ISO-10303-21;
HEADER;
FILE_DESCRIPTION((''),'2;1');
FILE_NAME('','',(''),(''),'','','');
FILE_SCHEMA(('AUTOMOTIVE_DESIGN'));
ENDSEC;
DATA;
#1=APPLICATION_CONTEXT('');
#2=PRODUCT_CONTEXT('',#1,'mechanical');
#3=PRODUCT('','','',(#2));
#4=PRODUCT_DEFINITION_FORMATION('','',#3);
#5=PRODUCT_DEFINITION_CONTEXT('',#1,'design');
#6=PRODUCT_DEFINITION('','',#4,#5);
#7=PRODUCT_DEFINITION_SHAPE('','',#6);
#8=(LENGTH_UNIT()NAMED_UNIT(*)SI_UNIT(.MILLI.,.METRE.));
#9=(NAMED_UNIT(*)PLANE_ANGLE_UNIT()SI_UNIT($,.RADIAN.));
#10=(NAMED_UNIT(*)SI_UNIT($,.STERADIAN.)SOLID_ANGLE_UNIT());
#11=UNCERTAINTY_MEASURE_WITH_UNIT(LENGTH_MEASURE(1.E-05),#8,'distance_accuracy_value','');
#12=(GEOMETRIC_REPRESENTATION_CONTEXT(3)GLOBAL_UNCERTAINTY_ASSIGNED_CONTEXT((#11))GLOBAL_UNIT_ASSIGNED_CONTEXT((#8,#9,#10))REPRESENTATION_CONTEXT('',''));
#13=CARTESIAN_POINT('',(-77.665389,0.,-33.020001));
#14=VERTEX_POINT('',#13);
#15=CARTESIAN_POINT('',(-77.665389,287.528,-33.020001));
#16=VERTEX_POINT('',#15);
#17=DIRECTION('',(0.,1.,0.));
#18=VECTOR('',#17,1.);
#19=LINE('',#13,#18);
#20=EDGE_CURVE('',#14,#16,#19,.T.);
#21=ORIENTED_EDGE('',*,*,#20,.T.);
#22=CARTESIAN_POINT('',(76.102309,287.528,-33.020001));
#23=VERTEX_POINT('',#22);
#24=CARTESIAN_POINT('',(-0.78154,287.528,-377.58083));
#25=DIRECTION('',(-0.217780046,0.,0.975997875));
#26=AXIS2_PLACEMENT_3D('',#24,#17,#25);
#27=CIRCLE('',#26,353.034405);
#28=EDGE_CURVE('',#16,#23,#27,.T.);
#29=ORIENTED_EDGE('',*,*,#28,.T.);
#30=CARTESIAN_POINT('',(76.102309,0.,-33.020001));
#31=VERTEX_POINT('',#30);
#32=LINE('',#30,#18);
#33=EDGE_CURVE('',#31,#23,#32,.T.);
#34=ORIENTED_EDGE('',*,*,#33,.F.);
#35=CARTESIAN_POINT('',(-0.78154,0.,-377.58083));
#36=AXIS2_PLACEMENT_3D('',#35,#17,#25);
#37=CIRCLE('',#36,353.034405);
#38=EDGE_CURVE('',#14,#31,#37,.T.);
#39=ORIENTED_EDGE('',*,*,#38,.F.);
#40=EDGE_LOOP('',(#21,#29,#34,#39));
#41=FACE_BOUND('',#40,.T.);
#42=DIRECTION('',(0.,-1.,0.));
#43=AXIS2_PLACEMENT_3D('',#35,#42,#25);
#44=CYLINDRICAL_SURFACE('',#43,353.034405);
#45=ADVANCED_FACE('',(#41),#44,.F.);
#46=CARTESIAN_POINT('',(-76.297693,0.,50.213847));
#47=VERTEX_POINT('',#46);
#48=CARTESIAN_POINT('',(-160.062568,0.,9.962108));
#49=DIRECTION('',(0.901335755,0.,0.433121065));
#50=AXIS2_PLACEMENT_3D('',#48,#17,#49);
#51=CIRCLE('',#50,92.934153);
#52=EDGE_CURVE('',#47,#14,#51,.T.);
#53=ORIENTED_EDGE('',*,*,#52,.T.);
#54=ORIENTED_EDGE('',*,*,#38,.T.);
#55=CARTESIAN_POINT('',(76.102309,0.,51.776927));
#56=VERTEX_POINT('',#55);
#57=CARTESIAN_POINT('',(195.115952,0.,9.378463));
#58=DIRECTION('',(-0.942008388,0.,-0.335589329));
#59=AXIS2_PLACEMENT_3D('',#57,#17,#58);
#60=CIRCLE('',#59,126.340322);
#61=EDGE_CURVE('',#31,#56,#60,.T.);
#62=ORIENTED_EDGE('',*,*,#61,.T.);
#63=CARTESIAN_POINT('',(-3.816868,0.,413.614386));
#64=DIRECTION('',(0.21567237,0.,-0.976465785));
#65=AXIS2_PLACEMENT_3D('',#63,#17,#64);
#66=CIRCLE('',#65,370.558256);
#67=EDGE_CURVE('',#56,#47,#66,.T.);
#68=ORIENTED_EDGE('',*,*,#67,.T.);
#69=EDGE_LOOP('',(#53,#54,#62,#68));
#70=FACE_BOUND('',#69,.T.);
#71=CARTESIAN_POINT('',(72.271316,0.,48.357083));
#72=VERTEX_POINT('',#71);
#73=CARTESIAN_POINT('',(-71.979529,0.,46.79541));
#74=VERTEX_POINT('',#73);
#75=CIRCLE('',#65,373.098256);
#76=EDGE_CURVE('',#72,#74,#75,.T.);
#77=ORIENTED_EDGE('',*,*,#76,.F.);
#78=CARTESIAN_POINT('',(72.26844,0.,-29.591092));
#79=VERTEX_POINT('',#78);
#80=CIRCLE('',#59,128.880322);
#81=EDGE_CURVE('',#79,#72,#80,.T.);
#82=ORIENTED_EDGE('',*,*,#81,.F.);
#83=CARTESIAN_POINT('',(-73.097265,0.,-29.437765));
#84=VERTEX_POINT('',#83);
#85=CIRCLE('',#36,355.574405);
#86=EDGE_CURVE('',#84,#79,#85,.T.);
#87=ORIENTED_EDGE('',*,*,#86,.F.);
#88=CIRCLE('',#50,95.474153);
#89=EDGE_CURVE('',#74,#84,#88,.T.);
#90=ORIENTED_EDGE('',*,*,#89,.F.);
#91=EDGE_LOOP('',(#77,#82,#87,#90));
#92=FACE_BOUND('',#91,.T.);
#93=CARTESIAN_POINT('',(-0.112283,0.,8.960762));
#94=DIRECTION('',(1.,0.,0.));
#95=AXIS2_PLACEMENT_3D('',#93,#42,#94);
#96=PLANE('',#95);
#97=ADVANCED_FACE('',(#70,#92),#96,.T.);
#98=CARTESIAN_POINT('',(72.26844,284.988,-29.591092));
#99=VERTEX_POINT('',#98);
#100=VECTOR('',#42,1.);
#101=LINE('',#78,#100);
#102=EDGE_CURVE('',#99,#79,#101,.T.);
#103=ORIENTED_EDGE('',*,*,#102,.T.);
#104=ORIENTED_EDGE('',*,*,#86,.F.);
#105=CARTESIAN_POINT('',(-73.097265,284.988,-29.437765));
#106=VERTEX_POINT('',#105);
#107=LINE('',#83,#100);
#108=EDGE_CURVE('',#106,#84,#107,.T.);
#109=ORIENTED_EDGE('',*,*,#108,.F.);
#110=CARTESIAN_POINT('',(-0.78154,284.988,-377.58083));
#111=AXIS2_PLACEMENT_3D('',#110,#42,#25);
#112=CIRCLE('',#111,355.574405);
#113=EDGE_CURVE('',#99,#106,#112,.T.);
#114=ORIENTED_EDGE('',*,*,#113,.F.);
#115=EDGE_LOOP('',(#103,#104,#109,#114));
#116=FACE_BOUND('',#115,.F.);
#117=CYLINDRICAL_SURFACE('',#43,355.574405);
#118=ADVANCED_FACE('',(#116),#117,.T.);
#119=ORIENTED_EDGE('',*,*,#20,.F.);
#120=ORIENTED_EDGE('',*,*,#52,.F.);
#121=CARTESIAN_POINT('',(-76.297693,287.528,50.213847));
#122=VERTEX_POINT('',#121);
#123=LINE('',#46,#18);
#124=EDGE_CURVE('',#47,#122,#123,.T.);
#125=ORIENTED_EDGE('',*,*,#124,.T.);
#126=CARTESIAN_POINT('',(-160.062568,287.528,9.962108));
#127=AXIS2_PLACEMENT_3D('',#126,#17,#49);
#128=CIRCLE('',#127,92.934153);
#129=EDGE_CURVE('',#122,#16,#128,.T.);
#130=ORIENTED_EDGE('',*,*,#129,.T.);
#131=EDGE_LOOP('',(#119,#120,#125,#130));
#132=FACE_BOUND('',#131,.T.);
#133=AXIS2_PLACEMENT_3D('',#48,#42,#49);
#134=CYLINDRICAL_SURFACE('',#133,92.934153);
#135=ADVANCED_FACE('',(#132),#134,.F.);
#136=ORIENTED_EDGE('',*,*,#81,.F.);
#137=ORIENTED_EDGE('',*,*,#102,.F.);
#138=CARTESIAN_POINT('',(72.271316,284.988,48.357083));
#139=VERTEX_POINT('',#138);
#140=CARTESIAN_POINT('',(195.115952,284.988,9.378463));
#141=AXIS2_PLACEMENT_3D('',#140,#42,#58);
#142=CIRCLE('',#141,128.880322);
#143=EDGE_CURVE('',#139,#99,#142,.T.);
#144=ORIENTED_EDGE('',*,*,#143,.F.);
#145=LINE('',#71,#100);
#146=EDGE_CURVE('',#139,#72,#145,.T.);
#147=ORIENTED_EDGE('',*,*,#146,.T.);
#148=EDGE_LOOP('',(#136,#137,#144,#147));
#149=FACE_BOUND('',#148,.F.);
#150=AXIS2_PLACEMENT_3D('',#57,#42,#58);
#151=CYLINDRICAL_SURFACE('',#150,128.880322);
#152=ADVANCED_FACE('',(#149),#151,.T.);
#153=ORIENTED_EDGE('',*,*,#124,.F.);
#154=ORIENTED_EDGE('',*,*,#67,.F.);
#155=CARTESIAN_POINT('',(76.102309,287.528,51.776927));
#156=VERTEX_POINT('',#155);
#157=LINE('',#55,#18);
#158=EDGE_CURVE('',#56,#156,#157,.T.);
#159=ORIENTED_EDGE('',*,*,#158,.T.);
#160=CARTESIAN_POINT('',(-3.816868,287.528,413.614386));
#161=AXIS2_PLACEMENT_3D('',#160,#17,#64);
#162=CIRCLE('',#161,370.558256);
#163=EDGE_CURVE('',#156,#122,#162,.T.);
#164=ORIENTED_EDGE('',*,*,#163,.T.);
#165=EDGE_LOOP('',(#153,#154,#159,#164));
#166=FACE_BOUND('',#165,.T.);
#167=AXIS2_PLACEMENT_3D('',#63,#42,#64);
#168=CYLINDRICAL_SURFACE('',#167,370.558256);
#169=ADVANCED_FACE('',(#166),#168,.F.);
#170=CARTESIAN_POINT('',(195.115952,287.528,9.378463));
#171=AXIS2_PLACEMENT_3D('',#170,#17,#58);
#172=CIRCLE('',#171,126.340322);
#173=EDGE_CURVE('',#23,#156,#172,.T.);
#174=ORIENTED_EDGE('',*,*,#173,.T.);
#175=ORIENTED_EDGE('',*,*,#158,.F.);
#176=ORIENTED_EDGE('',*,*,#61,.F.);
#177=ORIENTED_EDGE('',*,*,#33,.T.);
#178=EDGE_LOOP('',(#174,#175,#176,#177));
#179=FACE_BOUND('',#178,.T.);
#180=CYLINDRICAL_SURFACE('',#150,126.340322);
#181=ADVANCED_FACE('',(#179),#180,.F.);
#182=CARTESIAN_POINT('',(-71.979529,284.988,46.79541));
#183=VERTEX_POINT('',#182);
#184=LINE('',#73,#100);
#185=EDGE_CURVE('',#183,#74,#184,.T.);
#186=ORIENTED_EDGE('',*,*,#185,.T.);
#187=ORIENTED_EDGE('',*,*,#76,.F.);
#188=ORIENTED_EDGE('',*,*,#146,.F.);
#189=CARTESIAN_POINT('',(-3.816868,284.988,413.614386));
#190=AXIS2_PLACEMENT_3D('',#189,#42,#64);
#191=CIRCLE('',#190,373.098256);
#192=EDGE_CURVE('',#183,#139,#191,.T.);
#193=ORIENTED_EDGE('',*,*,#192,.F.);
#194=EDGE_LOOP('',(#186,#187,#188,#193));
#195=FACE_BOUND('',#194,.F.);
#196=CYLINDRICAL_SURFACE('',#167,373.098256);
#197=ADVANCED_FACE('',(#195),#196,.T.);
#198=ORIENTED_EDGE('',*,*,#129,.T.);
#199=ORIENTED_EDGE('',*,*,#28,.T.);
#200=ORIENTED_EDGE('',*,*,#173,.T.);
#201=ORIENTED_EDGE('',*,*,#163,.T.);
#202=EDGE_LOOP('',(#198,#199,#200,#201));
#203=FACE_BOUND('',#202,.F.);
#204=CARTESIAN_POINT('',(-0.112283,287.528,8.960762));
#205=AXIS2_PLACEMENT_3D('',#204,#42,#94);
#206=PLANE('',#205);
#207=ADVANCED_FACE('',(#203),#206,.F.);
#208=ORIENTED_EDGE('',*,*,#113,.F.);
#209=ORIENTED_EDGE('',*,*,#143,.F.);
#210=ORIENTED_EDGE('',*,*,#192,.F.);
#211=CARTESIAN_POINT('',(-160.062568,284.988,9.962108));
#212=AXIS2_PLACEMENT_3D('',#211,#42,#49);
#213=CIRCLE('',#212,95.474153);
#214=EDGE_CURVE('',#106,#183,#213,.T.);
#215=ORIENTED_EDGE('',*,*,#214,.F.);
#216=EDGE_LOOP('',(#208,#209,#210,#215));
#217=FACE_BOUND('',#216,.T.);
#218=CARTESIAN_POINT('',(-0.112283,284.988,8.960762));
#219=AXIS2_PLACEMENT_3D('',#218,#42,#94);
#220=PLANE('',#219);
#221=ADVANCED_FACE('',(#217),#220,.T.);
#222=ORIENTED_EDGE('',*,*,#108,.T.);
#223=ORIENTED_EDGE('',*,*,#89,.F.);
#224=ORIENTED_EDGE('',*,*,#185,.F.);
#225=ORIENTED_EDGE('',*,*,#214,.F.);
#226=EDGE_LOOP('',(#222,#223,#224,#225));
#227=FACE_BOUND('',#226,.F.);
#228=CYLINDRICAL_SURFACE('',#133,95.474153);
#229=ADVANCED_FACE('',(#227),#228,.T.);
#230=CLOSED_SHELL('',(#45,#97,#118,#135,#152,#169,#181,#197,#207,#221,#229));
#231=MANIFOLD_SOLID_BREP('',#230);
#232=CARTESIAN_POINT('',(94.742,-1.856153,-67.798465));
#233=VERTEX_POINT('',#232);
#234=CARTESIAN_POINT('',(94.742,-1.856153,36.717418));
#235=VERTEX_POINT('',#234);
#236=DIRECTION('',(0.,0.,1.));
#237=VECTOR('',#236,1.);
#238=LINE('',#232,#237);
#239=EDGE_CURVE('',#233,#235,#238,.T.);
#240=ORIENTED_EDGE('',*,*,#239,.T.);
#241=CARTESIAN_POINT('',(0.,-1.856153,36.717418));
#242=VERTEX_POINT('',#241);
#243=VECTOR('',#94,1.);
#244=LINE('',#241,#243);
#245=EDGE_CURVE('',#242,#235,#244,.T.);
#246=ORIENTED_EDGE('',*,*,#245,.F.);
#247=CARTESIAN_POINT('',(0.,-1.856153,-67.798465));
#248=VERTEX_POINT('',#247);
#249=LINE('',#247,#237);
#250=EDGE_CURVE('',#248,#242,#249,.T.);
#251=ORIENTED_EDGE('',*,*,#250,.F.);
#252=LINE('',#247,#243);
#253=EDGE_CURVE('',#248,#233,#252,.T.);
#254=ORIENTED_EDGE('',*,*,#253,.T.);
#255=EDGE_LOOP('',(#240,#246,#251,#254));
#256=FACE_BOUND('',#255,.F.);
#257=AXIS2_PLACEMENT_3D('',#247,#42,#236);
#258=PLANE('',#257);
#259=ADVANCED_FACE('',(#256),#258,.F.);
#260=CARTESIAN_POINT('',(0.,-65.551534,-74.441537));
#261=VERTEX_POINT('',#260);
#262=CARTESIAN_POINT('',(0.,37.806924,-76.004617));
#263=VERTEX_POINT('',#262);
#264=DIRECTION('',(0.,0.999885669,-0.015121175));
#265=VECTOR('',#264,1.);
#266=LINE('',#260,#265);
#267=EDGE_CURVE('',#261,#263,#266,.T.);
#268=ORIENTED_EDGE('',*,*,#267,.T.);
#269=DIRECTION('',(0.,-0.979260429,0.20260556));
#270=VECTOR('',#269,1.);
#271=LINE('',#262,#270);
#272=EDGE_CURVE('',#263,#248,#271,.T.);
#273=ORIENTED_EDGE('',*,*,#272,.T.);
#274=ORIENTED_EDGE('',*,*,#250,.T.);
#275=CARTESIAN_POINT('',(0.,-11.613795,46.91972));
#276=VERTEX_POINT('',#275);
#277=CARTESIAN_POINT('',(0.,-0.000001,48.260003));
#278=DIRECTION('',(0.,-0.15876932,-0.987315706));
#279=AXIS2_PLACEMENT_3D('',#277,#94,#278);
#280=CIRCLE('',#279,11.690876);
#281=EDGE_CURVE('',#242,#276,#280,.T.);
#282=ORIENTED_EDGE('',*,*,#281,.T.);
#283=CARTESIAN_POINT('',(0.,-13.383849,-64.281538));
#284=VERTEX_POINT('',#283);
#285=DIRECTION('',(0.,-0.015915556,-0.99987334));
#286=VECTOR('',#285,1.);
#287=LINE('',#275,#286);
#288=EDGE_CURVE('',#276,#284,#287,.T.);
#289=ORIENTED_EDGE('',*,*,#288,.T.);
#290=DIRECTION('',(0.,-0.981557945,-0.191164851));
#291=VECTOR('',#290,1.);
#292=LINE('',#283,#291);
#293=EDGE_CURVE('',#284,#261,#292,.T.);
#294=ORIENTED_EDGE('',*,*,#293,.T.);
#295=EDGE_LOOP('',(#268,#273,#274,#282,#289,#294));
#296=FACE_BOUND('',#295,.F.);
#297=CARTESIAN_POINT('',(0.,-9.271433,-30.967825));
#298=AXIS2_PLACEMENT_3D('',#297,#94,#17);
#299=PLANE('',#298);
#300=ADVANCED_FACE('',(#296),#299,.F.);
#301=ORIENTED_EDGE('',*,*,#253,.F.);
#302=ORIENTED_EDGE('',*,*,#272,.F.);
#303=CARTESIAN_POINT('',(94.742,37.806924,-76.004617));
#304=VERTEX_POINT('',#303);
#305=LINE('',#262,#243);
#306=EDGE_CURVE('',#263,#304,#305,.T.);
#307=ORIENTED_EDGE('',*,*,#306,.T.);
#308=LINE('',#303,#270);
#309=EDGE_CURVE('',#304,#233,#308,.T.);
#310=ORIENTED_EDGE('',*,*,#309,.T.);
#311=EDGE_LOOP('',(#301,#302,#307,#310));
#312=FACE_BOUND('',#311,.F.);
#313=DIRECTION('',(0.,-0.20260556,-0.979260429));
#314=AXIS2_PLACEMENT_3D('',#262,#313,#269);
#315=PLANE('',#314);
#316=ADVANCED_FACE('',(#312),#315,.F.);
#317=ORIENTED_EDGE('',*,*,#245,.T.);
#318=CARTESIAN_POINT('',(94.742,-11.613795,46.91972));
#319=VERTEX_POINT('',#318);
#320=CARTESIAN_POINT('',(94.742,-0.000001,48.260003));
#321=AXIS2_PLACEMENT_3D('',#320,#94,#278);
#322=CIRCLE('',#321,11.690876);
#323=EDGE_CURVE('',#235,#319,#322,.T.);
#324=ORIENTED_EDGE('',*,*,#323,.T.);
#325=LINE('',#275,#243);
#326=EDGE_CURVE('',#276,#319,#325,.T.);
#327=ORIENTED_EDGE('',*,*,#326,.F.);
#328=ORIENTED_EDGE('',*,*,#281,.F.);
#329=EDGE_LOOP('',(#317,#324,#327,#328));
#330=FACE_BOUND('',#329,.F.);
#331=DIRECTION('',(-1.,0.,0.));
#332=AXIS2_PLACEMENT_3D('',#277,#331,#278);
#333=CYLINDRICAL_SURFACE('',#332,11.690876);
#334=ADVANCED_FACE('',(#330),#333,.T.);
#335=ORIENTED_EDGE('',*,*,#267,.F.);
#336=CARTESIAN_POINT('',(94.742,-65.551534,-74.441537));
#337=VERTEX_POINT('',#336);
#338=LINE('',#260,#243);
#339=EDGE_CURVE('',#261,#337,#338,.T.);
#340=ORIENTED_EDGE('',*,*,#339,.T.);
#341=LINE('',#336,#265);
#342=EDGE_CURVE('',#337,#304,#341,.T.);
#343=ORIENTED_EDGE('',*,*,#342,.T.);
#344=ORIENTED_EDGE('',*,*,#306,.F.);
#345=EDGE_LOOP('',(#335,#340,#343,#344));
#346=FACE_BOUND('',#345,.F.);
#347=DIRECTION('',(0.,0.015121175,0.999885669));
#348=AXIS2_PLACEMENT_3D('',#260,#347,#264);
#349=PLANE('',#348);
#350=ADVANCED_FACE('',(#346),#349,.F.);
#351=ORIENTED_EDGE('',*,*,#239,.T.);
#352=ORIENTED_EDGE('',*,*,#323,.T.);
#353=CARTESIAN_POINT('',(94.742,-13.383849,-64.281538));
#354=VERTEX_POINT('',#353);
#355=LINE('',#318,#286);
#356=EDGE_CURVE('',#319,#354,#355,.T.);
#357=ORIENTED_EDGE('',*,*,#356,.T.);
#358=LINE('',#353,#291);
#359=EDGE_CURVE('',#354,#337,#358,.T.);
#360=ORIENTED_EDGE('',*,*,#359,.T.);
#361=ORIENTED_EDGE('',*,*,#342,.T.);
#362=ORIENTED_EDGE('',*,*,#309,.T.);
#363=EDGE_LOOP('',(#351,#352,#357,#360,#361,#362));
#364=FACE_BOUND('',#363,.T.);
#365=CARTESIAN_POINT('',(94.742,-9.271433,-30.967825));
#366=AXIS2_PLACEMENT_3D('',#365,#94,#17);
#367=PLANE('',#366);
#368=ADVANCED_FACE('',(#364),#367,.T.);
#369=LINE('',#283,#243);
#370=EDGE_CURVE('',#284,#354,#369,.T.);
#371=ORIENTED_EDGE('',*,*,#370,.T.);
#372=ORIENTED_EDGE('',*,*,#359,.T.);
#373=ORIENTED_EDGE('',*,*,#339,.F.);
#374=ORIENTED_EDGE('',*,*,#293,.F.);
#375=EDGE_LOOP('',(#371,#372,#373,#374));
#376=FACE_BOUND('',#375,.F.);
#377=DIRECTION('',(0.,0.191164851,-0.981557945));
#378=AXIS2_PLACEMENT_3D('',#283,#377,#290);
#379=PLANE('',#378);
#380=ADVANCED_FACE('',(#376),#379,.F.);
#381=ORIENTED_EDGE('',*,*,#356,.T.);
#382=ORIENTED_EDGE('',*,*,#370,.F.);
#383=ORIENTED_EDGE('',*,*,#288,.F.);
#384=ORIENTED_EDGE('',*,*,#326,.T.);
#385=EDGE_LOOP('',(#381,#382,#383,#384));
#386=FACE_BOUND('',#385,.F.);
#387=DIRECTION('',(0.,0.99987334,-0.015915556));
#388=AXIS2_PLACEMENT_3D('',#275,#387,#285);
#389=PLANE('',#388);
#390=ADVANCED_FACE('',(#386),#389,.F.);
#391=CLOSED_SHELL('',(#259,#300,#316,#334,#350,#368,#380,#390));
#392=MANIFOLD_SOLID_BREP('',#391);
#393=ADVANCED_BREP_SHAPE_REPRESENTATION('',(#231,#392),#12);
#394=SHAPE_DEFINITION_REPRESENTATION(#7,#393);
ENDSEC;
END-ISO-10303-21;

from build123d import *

# Parameters (mm, degrees)
F1_DEPTH = 287.528
F2_T     = -2.54
F4_DEPTH = 94.742


with BuildPart() as f1:
    # F0 (on Front) → F1 (new body)
    with BuildSketch(Plane.XZ):
        with BuildLine():
            ThreePointArc((76.102309, 51.776927), (-0.016463, 43.075618), (-76.297693, 50.213847))
            ThreePointArc((-76.297693, 50.213847), (-67.140959, 8.435223), (-77.665389, -33.020001))
            ThreePointArc((-77.665389, -33.020001), (-0.78154, -24.546425), (76.102309, -33.020001))
            ThreePointArc((76.102309, -33.020001), (68.77563, 9.378463), (76.102309, 51.776927))
        make_face()
    extrude(amount=-F1_DEPTH)

    # F2
    f2_openings = [f1.faces().sort_by_distance(p)[0] for p in [
        (0.781643, 0, 9.143892),
    ]]
    offset(amount=F2_T, openings=f2_openings)


with BuildPart() as f4:
    # F3 (on Right) → F4 (new body)
    with BuildSketch(Plane.YZ):
        with BuildLine():
            Line((-1.856153, -67.798465), (-1.856153, 36.717418))
            ThreePointArc((-1.856153, 36.717418), (8.448764, 56.340533), (-11.613795, 46.91972))
            Line((-11.613795, 46.91972), (-13.383849, -64.281538))
            Line((-13.383849, -64.281538), (-65.551534, -74.441537))
            Line((-65.551534, -74.441537), (37.806924, -76.004617))
            Line((37.806924, -76.004617), (-1.856153, -67.798465))
        make_face()
    extrude(amount=F4_DEPTH)


solid = Compound([f1.part, f4.part])
